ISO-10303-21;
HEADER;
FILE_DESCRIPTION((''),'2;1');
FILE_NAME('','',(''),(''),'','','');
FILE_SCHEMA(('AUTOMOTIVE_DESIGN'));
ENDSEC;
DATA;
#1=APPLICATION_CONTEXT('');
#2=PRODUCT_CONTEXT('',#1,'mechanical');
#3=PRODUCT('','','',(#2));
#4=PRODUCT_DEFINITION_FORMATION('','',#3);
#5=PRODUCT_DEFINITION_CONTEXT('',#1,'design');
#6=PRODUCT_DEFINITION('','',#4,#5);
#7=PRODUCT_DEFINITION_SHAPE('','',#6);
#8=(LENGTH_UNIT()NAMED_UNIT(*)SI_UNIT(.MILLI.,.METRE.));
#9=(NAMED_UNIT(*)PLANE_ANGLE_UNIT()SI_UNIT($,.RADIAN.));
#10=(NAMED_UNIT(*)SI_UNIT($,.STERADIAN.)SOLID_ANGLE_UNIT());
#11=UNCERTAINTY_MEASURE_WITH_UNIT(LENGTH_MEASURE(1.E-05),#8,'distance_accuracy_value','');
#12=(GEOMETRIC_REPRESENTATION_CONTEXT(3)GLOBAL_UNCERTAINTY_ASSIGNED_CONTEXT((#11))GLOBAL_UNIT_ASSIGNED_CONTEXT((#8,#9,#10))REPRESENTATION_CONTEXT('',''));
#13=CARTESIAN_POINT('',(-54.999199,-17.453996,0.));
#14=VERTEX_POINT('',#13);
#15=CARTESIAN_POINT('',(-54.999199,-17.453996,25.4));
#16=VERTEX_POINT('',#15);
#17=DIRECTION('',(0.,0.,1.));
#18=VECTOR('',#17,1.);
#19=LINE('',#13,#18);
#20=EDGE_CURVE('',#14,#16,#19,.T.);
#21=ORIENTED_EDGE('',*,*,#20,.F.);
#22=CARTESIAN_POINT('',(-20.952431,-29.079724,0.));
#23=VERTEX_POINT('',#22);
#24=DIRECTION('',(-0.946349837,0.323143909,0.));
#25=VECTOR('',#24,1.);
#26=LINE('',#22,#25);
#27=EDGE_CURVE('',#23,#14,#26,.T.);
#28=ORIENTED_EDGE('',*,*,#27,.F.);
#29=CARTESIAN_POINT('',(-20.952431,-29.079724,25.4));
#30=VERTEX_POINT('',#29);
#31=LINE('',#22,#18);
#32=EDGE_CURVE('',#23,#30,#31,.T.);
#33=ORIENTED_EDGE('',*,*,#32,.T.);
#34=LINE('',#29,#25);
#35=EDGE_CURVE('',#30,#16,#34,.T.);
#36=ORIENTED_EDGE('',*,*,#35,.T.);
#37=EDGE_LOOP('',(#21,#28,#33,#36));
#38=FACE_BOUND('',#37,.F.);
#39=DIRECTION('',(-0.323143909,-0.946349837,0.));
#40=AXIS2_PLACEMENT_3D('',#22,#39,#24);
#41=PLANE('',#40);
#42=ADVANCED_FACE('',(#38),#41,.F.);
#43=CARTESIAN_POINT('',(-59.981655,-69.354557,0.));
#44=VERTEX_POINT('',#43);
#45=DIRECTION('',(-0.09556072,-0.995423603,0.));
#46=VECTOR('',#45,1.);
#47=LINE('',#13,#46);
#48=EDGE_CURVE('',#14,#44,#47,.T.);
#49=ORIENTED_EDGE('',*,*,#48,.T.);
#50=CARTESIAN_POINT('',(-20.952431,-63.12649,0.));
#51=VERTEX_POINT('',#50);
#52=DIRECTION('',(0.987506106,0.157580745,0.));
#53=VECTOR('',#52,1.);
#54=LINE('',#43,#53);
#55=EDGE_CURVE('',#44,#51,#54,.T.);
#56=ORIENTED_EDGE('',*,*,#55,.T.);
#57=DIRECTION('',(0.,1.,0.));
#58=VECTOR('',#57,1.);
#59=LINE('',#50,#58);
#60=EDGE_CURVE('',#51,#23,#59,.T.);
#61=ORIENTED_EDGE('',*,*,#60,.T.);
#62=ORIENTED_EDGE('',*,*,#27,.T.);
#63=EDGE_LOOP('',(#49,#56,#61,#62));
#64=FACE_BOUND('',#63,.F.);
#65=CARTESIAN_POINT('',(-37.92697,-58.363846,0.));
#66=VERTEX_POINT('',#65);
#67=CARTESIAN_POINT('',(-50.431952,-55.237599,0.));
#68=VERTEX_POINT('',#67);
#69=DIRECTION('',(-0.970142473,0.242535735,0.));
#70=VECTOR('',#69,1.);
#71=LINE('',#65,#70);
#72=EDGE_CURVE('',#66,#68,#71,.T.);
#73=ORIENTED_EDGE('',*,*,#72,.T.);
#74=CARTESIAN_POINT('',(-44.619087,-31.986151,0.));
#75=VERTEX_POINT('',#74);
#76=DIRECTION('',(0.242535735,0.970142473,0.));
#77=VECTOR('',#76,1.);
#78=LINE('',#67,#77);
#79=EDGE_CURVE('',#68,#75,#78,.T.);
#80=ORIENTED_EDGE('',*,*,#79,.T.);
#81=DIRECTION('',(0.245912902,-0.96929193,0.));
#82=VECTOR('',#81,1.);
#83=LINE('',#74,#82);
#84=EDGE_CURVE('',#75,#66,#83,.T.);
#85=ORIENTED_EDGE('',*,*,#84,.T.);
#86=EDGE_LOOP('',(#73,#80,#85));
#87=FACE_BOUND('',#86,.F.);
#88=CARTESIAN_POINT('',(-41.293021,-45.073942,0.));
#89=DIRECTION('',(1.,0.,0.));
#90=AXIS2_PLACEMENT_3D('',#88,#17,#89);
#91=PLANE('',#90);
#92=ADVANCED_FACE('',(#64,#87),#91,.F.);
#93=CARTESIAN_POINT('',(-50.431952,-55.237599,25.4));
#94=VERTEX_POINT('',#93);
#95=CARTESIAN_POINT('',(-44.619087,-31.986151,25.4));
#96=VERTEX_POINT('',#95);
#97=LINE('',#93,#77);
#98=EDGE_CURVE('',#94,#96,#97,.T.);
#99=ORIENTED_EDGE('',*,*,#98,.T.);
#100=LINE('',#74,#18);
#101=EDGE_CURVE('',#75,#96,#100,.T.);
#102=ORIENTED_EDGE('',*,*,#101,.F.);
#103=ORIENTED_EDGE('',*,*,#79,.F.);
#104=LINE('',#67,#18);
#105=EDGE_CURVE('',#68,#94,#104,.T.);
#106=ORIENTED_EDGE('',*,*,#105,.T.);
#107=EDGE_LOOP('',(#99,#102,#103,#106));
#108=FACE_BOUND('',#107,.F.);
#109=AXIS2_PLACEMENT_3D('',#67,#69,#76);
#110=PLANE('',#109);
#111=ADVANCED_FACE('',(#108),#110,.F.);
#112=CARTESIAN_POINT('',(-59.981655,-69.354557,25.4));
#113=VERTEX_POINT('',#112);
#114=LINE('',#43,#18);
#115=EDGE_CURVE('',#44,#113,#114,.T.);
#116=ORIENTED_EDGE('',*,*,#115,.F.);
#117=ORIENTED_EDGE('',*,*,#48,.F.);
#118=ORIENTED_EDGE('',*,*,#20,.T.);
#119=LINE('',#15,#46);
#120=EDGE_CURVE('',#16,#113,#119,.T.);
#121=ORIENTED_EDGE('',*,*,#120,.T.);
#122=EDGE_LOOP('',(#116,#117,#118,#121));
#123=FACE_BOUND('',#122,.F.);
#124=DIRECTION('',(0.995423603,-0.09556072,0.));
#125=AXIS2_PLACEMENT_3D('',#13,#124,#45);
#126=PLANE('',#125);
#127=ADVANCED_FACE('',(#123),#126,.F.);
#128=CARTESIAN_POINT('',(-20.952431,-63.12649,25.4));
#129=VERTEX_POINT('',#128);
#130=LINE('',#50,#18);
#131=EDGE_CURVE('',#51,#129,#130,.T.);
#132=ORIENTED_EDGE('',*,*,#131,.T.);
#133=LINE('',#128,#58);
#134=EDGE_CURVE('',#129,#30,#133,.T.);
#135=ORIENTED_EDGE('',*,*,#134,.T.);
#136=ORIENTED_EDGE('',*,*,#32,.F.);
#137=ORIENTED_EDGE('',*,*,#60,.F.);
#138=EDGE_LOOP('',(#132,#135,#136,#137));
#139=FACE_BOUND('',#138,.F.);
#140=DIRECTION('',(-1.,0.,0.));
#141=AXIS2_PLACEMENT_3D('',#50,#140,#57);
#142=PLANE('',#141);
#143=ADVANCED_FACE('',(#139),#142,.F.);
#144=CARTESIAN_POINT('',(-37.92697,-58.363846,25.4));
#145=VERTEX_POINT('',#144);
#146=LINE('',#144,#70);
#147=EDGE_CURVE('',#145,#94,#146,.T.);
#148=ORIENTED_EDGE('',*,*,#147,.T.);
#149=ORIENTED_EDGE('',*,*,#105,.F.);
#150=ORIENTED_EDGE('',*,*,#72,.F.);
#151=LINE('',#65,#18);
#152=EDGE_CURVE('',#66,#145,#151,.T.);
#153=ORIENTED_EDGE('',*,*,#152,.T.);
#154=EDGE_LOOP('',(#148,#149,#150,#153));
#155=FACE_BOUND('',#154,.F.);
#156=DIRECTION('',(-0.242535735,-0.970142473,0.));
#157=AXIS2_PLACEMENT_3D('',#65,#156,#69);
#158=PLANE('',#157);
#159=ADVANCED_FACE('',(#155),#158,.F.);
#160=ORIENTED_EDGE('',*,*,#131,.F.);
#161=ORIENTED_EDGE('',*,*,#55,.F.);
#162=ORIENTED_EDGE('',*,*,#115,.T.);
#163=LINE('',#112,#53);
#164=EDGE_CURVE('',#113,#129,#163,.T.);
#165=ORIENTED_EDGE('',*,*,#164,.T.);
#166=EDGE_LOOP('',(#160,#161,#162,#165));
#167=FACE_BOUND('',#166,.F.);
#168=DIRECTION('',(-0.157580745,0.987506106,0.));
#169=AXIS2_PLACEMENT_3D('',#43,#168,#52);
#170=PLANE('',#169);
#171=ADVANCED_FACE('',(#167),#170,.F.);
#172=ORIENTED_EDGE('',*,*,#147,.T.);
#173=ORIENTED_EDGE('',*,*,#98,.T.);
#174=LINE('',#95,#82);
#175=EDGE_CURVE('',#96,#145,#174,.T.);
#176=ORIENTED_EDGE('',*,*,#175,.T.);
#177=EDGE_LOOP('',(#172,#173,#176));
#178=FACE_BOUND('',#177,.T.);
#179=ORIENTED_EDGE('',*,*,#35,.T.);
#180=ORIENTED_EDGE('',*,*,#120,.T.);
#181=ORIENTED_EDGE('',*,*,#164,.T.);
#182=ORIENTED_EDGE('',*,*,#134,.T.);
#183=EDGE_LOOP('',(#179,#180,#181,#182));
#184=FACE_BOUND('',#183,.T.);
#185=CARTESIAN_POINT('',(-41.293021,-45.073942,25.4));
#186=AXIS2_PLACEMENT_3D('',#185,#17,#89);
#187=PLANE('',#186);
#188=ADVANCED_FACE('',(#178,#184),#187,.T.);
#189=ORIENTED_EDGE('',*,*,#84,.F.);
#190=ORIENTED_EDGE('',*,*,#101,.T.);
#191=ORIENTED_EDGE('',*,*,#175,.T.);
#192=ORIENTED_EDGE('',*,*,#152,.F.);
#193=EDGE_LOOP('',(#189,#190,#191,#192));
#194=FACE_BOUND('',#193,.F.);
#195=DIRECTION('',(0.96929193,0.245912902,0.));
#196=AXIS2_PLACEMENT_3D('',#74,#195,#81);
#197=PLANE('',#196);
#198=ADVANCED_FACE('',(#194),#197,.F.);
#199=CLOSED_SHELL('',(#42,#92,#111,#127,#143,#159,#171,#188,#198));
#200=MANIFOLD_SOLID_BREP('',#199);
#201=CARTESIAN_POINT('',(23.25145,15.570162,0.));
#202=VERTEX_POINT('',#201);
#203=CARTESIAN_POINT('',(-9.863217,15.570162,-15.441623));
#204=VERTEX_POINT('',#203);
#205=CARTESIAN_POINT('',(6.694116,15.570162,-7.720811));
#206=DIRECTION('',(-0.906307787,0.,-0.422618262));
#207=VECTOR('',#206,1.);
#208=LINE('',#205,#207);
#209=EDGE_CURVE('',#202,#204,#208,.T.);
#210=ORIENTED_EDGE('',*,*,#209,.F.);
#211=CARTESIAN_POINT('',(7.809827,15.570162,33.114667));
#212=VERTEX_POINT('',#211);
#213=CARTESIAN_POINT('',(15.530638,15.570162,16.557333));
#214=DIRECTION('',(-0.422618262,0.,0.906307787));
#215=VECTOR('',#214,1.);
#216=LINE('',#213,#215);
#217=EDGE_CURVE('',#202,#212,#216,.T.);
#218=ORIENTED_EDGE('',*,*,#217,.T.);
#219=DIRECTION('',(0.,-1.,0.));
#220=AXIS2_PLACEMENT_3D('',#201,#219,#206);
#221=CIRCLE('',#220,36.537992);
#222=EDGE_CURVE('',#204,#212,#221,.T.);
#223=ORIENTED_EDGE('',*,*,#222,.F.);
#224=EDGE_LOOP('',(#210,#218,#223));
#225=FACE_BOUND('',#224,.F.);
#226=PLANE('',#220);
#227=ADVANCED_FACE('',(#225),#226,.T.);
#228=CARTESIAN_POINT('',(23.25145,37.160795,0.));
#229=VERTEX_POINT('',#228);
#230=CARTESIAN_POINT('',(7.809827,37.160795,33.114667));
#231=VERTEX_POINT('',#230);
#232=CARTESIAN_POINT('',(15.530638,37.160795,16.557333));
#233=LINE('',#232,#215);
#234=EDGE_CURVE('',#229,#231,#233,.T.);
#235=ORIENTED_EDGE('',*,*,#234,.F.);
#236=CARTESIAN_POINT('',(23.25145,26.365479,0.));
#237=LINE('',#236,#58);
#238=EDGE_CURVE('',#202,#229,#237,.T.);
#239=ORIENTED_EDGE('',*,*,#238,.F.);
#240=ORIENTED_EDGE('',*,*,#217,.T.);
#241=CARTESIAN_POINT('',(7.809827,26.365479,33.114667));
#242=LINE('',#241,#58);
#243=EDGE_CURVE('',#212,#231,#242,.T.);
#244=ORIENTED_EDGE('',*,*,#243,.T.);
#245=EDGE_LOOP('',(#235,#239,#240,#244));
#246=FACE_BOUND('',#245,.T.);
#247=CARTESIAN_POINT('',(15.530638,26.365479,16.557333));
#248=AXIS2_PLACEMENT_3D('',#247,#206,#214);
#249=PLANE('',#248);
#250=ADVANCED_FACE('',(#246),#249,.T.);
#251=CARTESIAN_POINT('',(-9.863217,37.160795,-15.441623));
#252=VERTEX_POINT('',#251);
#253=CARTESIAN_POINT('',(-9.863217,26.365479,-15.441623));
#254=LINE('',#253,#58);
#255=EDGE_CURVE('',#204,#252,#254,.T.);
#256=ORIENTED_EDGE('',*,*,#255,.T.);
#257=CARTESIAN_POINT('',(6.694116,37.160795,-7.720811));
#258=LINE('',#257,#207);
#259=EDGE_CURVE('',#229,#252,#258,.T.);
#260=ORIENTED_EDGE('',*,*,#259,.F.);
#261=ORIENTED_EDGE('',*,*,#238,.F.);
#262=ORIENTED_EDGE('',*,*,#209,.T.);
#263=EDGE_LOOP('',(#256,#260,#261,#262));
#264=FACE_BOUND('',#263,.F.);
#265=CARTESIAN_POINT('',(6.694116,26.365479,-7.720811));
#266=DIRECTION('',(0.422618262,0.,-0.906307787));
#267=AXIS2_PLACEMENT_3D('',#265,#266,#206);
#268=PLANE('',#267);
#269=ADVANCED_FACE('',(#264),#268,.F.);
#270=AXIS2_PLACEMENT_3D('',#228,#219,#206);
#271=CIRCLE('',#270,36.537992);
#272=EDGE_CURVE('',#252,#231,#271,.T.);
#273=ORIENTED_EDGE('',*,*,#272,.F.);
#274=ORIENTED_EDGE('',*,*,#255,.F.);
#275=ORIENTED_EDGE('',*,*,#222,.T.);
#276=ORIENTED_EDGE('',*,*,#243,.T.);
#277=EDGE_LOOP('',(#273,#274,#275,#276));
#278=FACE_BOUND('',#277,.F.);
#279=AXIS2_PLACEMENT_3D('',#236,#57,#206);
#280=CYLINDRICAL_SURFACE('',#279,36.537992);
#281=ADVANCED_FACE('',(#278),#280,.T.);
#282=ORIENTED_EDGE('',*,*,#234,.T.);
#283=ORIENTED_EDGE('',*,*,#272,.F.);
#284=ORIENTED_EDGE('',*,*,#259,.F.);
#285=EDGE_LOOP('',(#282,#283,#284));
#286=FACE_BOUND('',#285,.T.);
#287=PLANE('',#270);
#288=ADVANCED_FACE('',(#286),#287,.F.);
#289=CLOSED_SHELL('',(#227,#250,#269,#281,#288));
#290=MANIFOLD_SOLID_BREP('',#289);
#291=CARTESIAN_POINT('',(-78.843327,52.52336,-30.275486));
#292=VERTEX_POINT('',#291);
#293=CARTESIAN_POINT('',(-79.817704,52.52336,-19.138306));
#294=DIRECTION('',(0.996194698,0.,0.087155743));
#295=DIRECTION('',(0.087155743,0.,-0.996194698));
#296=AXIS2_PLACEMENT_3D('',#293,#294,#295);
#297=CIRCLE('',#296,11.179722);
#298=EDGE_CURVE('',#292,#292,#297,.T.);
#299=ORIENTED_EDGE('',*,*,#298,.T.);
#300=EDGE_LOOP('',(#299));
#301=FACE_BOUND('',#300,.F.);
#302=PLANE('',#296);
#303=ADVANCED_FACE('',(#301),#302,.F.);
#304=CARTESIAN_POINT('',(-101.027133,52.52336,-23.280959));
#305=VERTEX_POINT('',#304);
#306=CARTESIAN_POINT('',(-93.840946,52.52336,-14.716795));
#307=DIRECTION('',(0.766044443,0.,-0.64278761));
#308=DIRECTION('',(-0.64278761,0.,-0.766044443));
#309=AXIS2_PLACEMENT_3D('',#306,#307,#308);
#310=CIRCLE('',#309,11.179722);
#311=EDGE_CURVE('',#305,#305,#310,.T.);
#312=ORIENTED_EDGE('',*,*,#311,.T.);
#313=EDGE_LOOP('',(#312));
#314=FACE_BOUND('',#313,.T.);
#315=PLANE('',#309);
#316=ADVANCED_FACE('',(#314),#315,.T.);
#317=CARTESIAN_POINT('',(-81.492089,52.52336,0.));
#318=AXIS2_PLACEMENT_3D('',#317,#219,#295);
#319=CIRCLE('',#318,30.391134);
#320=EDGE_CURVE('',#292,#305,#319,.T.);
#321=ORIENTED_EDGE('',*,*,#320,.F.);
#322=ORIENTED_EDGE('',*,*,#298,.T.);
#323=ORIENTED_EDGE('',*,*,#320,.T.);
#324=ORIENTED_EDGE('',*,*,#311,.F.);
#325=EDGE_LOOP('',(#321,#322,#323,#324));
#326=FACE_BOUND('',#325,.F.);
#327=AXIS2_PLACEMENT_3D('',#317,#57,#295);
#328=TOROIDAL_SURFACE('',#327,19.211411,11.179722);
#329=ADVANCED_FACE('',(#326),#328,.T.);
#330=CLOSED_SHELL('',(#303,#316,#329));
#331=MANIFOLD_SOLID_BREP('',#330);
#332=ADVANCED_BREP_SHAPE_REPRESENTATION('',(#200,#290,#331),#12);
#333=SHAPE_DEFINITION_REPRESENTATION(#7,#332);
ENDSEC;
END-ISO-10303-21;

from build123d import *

# Parameters (mm, degrees)
F0_R          = 11.1797222355
F1_ANGLE_BACK = 85
F1_ANGLE      = 315
F2_DEPTH      = 25.4
F0_W          = 36.5379918367
F0_H          = 21.5906333178
F3_ANGLE_BACK = 155
F3_ANGLE      = 270


with BuildPart() as f1:
    # F0 (on Top) → F1 (revolve)
    with BuildSketch(Plane.XY, mode=Mode.PRIVATE) as f1_sk:
        with Locations((-62.280677259, 52.5233596563)):
            Circle(F0_R)
    revolve(f1_sk.sketch.rotate(Axis((-81.4920887351, 45.5358419567, 0), (0, -1, 0)), -F1_ANGLE_BACK), axis=Axis((-81.4920887351, 45.5358419567, 0), (0, -1, 0)), revolution_arc=F1_ANGLE)


with BuildPart() as f2:
    # F0 (on Top) → F2 (new body)
    with BuildSketch(Plane.XY):
        Polygon((-20.9524314851, -29.0797241032), (-54.9991987646, -17.4539964646), (-59.9816553295, -69.3545565009), (-20.9524314851, -63.1264895201), align=None)
        Polygon((-50.4319518805, -55.2375987172), (-44.6190871298, -31.9861508906), (-37.9269696142, -58.3638457864), align=None, mode=Mode.SUBTRACT)
    extrude(amount=F2_DEPTH)


with BuildPart() as f3:
    # F0 (on Top) → F3 (revolve)
    with BuildSketch(Plane.XY, mode=Mode.PRIVATE) as f3_sk:
        with Locations((41.5204456076, 26.3654785231)):
            Rectangle(F0_W, F0_H)
    revolve(f3_sk.sketch.rotate(Axis((23.2514496893, 26.3654785231, 0), (0, -1, 0)), -F3_ANGLE_BACK), axis=Axis((23.2514496893, 26.3654785231, 0), (0, -1, 0)), revolution_arc=F3_ANGLE)


solid = Compound([f1.part, f2.part, f3.part])
